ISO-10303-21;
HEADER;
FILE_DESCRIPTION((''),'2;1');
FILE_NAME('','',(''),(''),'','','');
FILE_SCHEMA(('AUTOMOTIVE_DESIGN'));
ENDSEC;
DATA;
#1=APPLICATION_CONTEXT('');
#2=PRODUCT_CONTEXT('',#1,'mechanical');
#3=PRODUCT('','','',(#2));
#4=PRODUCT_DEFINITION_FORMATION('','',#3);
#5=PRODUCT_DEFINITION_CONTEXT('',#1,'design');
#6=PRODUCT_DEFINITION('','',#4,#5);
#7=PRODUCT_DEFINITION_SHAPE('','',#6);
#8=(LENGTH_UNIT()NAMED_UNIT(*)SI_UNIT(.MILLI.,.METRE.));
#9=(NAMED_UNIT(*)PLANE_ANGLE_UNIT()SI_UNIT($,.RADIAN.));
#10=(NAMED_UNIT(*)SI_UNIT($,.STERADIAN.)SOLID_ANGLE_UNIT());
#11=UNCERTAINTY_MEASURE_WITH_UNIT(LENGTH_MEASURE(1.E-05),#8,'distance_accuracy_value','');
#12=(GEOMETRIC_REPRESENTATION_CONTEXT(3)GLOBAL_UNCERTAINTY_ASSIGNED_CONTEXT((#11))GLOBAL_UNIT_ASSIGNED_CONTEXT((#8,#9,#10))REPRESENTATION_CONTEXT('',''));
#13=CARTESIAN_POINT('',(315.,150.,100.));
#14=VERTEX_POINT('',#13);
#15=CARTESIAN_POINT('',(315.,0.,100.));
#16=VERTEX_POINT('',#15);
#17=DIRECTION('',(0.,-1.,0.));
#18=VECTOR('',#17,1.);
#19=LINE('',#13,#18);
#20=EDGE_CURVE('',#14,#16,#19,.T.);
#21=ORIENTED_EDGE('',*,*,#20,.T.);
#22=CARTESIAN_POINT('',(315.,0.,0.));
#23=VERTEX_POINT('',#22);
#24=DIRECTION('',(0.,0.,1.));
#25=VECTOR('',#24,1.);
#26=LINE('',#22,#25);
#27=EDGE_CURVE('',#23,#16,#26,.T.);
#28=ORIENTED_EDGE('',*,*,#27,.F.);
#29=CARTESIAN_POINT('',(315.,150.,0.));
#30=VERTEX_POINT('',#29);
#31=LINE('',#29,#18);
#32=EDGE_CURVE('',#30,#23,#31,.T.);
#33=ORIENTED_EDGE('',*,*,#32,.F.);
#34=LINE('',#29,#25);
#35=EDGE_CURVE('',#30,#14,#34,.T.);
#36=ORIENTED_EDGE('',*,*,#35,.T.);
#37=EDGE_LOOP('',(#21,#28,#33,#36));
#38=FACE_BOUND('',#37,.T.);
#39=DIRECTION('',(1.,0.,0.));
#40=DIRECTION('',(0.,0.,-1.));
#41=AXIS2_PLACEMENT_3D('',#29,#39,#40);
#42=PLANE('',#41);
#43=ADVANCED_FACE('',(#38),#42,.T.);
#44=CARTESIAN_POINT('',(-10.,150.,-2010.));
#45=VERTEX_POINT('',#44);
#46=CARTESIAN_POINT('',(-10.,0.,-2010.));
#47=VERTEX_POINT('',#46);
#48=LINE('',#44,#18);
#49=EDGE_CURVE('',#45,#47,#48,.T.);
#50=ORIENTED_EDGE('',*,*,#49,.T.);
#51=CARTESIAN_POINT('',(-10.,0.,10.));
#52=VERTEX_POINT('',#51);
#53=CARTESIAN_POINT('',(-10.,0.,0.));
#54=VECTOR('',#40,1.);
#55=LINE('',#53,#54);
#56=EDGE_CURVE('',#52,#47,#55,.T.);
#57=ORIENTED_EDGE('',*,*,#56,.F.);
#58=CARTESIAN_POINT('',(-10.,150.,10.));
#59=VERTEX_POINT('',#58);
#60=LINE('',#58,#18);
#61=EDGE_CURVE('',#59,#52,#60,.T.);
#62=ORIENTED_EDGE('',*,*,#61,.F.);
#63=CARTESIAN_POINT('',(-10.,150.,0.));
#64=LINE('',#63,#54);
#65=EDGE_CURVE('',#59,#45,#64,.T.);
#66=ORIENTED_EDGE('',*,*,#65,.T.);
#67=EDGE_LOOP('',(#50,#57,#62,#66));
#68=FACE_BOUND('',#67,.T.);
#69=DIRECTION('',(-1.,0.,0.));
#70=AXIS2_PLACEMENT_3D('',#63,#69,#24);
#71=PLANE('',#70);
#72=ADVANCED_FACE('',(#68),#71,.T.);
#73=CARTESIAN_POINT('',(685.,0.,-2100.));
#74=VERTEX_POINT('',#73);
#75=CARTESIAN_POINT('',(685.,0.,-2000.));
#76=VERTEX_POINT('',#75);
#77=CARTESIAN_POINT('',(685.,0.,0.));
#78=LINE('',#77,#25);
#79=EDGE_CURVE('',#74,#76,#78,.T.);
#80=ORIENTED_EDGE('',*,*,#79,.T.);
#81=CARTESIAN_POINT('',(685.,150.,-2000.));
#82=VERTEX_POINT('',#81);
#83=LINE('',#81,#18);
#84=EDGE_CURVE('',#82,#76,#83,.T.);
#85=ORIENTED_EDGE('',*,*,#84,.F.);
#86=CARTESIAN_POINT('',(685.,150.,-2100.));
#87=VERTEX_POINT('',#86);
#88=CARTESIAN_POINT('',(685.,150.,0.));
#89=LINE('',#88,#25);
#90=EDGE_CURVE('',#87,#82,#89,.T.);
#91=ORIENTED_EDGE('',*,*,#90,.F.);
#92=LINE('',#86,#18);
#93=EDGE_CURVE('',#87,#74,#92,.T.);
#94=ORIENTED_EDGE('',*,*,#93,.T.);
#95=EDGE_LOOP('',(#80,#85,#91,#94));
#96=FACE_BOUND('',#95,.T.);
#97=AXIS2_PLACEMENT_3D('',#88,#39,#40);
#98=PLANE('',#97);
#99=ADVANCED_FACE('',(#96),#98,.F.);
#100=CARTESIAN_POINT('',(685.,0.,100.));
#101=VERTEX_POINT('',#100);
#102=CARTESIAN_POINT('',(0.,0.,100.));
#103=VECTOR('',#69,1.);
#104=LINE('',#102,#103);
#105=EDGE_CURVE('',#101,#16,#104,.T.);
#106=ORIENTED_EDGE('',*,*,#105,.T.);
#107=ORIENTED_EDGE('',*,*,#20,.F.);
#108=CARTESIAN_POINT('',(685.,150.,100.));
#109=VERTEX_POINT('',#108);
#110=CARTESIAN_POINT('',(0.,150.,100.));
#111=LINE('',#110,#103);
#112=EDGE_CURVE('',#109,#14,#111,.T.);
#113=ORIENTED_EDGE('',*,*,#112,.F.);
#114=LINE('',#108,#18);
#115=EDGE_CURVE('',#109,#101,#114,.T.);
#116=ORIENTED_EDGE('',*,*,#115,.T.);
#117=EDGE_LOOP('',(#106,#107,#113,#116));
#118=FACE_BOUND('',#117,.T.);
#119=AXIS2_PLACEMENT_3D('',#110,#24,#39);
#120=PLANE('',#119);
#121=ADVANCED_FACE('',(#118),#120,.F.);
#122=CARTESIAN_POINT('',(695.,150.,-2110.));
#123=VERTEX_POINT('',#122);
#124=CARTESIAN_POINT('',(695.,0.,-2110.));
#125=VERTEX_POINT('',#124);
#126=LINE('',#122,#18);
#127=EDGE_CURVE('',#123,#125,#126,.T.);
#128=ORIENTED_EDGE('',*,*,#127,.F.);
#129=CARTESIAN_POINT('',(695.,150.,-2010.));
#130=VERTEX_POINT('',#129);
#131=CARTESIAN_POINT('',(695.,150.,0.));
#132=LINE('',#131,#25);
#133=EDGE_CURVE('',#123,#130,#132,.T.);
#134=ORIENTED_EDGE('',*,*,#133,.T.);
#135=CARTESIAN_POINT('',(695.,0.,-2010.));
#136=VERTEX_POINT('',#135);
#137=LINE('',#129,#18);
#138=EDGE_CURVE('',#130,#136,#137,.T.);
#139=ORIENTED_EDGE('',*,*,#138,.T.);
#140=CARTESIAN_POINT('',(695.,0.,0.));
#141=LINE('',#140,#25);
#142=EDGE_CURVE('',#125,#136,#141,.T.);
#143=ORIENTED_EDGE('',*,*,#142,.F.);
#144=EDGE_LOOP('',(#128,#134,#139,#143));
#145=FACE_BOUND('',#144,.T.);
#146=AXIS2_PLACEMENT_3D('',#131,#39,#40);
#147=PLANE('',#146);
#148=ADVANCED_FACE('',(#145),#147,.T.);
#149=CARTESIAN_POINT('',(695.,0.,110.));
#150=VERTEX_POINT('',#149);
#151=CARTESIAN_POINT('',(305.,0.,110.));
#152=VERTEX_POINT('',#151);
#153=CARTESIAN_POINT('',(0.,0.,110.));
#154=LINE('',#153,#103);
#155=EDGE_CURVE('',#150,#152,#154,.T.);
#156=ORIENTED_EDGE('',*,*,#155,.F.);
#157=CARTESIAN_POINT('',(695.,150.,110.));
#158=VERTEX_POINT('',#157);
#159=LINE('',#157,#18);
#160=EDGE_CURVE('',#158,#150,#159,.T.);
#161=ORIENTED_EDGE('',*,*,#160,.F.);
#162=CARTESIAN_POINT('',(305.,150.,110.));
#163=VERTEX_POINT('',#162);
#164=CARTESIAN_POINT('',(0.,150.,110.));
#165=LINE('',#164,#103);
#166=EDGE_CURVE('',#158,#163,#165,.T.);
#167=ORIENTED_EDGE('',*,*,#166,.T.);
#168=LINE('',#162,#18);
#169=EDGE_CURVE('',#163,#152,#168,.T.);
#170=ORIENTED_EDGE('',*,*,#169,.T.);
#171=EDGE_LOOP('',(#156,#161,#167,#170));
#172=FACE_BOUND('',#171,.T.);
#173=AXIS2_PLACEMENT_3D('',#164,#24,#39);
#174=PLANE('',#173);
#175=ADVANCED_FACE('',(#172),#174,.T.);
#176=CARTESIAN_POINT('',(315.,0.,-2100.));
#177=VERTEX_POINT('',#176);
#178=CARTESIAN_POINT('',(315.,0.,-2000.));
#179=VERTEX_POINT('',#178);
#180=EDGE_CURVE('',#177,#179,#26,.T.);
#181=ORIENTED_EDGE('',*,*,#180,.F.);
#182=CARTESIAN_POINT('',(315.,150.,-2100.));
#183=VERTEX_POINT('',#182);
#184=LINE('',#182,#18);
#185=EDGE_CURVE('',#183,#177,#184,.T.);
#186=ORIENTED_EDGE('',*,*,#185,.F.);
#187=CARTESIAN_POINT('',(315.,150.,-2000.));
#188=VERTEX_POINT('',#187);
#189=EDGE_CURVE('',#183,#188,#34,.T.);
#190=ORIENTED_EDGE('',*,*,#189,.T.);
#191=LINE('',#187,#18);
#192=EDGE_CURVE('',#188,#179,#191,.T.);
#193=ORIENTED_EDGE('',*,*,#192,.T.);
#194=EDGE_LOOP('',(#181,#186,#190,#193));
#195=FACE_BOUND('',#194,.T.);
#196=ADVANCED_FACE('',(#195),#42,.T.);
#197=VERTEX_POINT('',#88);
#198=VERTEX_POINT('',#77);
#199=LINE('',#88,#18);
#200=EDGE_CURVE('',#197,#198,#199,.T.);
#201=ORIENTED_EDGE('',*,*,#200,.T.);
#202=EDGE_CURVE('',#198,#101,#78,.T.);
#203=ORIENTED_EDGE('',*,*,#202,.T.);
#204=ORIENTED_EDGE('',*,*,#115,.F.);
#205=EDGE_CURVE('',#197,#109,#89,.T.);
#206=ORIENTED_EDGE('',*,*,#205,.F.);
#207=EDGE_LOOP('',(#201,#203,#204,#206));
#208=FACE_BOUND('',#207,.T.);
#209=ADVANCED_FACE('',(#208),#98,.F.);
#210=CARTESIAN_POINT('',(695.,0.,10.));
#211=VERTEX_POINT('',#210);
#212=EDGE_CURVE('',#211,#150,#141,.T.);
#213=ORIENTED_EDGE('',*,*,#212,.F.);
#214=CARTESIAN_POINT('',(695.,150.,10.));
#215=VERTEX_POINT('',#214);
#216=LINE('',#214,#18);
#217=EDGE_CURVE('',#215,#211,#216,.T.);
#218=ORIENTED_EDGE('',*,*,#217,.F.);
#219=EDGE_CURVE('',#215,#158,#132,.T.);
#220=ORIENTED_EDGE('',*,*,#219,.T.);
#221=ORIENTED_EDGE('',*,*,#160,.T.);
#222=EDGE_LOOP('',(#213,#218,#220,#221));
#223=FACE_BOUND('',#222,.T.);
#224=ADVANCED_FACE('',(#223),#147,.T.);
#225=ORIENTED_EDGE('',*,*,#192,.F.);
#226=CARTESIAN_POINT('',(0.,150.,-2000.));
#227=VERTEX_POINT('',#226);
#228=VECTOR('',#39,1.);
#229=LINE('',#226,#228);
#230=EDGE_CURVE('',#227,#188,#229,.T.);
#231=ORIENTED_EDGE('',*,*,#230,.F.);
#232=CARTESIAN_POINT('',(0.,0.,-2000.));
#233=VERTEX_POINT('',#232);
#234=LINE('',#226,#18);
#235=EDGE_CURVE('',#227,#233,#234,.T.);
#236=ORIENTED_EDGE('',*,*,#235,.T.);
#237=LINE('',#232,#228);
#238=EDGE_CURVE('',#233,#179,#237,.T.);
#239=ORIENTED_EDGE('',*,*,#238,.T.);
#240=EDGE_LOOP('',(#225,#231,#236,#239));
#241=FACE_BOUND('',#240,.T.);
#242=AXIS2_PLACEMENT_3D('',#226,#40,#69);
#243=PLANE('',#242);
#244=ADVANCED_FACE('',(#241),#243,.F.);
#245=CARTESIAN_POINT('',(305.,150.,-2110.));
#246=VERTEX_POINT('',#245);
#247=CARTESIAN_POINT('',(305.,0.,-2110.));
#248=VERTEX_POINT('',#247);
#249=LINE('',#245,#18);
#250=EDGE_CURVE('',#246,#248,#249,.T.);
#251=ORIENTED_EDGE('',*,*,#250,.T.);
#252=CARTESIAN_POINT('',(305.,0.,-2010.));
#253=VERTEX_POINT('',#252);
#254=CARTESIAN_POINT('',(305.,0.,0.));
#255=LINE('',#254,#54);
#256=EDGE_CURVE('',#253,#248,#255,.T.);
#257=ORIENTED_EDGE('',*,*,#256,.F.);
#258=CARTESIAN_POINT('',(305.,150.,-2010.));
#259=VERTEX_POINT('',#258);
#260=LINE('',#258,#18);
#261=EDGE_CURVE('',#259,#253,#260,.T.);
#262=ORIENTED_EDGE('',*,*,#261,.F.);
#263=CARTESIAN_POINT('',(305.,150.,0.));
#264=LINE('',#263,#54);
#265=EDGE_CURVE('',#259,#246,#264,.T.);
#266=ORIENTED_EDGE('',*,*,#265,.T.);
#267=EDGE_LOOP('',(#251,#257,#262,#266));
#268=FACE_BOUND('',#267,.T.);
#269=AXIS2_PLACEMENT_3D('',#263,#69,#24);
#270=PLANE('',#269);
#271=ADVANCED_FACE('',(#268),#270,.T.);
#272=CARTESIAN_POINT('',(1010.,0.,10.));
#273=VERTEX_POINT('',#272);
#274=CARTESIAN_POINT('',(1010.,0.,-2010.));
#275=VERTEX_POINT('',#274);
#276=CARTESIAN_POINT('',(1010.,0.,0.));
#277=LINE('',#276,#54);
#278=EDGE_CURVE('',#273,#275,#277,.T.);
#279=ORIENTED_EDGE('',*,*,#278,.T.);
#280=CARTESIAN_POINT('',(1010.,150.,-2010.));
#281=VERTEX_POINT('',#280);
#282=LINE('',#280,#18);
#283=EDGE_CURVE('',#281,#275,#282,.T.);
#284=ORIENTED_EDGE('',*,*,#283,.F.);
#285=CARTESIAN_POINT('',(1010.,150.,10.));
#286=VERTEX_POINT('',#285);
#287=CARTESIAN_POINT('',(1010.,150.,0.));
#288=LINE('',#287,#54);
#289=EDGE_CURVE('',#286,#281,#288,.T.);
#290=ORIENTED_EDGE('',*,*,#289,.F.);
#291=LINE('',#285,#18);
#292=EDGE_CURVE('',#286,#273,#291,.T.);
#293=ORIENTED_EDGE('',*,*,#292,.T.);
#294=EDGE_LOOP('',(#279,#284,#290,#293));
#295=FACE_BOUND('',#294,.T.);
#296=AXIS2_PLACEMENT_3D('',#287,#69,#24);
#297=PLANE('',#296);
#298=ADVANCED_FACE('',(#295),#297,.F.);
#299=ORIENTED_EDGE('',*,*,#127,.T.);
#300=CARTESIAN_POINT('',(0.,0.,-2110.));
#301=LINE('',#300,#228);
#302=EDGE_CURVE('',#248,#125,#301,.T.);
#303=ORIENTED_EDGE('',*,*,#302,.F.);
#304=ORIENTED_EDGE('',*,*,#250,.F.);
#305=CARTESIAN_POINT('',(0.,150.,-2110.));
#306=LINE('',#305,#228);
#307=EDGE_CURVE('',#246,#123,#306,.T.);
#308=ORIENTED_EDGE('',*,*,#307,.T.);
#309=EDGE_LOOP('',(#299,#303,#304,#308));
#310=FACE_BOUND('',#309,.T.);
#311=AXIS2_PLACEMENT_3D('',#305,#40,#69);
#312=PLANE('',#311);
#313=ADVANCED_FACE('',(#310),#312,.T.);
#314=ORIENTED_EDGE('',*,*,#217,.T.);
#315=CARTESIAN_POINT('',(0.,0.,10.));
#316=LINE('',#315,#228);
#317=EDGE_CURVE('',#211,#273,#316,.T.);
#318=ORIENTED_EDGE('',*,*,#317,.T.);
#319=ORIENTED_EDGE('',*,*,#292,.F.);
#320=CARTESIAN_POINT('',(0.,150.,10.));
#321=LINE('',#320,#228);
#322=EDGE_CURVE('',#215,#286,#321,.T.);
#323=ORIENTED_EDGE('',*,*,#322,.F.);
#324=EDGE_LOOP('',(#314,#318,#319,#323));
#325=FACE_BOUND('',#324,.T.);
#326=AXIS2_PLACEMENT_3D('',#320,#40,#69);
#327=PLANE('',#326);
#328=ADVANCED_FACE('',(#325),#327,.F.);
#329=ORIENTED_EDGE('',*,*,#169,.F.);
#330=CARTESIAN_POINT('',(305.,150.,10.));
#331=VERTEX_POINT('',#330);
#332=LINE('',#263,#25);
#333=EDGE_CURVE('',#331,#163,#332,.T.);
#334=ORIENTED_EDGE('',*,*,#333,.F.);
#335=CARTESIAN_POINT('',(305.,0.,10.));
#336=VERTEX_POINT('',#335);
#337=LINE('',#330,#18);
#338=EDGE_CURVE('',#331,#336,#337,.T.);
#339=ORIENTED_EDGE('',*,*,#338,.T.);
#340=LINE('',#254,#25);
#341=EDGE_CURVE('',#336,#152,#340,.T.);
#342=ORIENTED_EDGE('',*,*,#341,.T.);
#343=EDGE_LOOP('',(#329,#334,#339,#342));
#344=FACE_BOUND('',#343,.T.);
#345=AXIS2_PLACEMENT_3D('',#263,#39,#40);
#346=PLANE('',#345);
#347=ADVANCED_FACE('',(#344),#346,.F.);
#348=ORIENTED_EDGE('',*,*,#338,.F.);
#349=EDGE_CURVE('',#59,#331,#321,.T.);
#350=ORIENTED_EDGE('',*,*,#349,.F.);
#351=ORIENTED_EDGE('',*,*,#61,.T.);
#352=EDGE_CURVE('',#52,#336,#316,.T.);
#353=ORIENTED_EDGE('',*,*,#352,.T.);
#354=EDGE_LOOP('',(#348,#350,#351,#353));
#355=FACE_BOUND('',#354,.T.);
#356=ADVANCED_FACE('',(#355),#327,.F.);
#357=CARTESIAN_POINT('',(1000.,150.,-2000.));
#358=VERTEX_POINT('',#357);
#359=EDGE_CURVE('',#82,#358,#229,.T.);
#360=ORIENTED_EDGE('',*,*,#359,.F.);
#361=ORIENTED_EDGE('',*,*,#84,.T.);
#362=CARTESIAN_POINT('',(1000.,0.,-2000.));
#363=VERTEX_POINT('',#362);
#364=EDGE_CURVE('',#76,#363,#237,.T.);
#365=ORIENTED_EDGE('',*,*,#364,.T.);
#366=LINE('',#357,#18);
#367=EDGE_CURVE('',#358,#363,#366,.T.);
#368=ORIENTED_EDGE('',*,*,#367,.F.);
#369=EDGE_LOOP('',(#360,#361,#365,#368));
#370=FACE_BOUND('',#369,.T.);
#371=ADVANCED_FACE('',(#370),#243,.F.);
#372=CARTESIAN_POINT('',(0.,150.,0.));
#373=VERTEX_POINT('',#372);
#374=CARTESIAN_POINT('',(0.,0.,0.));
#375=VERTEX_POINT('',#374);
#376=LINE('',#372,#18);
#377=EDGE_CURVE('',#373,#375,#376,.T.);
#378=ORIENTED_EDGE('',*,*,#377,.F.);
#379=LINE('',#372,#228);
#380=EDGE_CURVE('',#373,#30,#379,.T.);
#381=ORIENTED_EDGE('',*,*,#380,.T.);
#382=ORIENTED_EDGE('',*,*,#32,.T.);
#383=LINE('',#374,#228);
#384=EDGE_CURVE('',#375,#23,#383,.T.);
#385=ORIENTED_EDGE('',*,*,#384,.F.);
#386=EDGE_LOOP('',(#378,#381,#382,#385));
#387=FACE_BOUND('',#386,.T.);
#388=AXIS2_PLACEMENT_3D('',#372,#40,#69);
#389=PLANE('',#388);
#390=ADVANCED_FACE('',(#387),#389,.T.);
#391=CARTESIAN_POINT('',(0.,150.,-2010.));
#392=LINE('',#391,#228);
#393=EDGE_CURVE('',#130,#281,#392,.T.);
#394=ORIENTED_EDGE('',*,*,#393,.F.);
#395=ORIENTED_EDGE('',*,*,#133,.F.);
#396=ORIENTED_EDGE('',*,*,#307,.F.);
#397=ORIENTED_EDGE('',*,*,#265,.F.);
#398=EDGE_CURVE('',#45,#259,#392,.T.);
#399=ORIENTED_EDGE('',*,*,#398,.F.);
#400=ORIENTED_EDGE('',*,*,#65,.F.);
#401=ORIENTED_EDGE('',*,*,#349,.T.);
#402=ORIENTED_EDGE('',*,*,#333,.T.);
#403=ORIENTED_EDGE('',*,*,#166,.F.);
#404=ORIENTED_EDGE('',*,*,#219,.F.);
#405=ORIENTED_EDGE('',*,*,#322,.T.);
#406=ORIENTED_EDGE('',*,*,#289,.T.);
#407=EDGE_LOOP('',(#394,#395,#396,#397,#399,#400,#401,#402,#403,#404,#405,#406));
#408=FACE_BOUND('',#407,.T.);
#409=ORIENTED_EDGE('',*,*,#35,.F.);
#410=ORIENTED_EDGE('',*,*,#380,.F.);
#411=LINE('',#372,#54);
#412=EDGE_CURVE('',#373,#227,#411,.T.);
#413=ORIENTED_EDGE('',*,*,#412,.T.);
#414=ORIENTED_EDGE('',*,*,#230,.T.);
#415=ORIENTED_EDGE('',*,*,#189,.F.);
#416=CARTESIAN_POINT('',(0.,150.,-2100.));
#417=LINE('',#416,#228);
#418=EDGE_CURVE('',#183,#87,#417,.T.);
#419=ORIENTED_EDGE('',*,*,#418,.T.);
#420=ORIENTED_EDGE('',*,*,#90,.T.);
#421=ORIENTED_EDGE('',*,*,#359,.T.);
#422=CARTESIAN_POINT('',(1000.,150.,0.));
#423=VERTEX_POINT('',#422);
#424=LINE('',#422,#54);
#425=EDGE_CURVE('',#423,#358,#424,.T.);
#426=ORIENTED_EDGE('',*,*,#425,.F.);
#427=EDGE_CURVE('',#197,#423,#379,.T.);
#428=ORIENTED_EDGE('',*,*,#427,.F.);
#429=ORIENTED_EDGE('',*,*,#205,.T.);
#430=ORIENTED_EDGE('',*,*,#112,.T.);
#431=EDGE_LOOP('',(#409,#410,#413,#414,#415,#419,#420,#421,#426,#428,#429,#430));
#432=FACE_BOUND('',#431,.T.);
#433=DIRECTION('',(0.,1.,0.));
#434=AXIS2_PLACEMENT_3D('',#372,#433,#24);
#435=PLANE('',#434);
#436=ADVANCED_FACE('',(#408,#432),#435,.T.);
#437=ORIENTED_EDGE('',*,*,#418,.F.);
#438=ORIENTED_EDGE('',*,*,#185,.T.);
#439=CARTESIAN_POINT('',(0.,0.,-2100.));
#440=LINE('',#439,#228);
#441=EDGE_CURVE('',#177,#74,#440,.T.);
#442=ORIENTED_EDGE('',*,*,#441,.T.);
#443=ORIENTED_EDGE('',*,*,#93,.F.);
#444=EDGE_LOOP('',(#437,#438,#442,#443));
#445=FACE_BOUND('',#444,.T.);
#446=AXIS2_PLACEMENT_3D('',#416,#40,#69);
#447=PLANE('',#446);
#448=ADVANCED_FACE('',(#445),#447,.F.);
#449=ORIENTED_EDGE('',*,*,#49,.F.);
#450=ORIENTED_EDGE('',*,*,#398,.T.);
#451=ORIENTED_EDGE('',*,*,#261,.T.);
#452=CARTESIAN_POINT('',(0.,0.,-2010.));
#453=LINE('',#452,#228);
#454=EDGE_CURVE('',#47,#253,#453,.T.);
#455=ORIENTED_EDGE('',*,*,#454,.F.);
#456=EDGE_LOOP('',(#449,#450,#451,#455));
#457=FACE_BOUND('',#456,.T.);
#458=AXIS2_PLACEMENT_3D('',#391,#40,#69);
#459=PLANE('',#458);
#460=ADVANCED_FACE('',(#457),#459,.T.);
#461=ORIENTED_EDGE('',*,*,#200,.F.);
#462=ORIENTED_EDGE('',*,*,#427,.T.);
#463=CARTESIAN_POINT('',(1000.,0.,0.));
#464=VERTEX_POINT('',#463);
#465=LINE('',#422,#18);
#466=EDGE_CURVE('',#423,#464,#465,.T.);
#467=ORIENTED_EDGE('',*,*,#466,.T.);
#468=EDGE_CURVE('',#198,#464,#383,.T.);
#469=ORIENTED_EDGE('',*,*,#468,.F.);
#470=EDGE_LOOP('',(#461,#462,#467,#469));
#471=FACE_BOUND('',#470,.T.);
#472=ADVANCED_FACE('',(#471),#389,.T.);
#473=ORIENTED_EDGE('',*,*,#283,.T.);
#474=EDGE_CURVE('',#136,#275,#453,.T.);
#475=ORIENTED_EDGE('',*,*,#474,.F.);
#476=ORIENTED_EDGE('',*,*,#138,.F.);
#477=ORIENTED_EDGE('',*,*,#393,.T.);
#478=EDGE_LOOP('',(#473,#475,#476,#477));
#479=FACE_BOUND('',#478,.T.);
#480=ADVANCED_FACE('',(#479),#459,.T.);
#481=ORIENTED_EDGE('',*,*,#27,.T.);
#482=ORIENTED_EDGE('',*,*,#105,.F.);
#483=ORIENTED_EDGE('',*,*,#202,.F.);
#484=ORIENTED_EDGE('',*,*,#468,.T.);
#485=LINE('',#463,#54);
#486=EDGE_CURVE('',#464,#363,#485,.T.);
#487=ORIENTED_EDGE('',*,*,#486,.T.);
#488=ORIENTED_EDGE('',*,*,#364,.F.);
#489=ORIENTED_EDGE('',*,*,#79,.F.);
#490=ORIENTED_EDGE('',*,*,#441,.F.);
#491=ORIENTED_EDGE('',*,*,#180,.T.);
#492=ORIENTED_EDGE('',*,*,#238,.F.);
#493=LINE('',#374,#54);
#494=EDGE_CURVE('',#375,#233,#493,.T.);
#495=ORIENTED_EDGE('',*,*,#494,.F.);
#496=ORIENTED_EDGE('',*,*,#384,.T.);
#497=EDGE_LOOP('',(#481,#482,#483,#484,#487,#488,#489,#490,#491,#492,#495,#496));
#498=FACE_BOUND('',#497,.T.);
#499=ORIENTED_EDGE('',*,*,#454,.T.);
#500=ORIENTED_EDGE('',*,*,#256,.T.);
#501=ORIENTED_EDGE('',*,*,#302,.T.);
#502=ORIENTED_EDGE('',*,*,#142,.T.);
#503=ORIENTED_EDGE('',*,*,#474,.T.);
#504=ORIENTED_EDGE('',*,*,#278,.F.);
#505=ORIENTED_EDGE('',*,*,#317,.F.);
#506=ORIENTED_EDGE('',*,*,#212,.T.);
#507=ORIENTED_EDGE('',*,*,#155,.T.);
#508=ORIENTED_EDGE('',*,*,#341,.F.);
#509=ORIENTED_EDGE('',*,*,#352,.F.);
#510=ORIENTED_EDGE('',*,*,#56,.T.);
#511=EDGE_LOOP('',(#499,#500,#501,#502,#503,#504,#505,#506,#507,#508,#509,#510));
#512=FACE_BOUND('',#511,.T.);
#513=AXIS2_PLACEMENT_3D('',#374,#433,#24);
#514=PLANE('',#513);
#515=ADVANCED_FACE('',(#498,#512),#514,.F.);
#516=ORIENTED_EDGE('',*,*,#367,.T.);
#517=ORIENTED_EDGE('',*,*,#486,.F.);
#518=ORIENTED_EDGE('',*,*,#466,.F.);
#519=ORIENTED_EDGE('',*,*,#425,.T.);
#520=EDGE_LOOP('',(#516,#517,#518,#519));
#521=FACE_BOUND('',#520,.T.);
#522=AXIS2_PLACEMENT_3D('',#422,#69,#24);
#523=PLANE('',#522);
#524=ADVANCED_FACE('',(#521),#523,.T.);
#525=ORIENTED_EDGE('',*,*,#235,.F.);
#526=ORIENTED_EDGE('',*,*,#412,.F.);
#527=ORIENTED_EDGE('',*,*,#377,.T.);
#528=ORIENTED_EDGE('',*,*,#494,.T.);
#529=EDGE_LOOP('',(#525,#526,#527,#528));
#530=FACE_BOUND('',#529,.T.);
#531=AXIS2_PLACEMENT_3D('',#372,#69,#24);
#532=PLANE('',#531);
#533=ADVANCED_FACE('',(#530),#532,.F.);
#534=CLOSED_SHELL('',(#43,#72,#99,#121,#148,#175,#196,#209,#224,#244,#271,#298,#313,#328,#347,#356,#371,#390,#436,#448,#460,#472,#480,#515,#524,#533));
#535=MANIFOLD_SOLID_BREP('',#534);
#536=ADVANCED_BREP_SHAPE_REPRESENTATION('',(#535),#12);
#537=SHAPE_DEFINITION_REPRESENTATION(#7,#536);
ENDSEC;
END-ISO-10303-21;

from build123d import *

# Parameters (mm, degrees)
BOSS_EXTRUDE1_DEPTH = 150


with BuildPart() as part:
    # Sketch2 → Boss-Extrude1 (new body)
    with BuildSketch(Plane(origin=(0, 0, 0), x_dir=(1, 0, 0), z_dir=(0, 1, 0))):
        Polygon((315, -100), (315, -10), (305, -10), (305, -110), (695, -110), (695, -10), (685, -10), (685, -100), align=None)
        Polygon((305, 0), (0, 0), (0, 990), (0, 1010), (0, 2000), (305, 2000), (315, 2000), (315, 2010), (305, 2010), (-10, 2010), (-10, -10), (305, -10), (315, -10), (315, 0), align=None)
        Polygon((1000, 1010), (1000, 990), (1000, 0), (695, 0), (685, 0), (685, -10), (695, -10), (1010, -10), (1010, 2010), (695, 2010), (685, 2010), (685, 2000), (695, 2000), (1000, 2000), align=None)
        Polygon((305, 2010), (315, 2010), (315, 2100), (685, 2100), (685, 2010), (695, 2010), (695, 2110), (305, 2110), align=None)
    extrude(amount=BOSS_EXTRUDE1_DEPTH)


solid = part.part
